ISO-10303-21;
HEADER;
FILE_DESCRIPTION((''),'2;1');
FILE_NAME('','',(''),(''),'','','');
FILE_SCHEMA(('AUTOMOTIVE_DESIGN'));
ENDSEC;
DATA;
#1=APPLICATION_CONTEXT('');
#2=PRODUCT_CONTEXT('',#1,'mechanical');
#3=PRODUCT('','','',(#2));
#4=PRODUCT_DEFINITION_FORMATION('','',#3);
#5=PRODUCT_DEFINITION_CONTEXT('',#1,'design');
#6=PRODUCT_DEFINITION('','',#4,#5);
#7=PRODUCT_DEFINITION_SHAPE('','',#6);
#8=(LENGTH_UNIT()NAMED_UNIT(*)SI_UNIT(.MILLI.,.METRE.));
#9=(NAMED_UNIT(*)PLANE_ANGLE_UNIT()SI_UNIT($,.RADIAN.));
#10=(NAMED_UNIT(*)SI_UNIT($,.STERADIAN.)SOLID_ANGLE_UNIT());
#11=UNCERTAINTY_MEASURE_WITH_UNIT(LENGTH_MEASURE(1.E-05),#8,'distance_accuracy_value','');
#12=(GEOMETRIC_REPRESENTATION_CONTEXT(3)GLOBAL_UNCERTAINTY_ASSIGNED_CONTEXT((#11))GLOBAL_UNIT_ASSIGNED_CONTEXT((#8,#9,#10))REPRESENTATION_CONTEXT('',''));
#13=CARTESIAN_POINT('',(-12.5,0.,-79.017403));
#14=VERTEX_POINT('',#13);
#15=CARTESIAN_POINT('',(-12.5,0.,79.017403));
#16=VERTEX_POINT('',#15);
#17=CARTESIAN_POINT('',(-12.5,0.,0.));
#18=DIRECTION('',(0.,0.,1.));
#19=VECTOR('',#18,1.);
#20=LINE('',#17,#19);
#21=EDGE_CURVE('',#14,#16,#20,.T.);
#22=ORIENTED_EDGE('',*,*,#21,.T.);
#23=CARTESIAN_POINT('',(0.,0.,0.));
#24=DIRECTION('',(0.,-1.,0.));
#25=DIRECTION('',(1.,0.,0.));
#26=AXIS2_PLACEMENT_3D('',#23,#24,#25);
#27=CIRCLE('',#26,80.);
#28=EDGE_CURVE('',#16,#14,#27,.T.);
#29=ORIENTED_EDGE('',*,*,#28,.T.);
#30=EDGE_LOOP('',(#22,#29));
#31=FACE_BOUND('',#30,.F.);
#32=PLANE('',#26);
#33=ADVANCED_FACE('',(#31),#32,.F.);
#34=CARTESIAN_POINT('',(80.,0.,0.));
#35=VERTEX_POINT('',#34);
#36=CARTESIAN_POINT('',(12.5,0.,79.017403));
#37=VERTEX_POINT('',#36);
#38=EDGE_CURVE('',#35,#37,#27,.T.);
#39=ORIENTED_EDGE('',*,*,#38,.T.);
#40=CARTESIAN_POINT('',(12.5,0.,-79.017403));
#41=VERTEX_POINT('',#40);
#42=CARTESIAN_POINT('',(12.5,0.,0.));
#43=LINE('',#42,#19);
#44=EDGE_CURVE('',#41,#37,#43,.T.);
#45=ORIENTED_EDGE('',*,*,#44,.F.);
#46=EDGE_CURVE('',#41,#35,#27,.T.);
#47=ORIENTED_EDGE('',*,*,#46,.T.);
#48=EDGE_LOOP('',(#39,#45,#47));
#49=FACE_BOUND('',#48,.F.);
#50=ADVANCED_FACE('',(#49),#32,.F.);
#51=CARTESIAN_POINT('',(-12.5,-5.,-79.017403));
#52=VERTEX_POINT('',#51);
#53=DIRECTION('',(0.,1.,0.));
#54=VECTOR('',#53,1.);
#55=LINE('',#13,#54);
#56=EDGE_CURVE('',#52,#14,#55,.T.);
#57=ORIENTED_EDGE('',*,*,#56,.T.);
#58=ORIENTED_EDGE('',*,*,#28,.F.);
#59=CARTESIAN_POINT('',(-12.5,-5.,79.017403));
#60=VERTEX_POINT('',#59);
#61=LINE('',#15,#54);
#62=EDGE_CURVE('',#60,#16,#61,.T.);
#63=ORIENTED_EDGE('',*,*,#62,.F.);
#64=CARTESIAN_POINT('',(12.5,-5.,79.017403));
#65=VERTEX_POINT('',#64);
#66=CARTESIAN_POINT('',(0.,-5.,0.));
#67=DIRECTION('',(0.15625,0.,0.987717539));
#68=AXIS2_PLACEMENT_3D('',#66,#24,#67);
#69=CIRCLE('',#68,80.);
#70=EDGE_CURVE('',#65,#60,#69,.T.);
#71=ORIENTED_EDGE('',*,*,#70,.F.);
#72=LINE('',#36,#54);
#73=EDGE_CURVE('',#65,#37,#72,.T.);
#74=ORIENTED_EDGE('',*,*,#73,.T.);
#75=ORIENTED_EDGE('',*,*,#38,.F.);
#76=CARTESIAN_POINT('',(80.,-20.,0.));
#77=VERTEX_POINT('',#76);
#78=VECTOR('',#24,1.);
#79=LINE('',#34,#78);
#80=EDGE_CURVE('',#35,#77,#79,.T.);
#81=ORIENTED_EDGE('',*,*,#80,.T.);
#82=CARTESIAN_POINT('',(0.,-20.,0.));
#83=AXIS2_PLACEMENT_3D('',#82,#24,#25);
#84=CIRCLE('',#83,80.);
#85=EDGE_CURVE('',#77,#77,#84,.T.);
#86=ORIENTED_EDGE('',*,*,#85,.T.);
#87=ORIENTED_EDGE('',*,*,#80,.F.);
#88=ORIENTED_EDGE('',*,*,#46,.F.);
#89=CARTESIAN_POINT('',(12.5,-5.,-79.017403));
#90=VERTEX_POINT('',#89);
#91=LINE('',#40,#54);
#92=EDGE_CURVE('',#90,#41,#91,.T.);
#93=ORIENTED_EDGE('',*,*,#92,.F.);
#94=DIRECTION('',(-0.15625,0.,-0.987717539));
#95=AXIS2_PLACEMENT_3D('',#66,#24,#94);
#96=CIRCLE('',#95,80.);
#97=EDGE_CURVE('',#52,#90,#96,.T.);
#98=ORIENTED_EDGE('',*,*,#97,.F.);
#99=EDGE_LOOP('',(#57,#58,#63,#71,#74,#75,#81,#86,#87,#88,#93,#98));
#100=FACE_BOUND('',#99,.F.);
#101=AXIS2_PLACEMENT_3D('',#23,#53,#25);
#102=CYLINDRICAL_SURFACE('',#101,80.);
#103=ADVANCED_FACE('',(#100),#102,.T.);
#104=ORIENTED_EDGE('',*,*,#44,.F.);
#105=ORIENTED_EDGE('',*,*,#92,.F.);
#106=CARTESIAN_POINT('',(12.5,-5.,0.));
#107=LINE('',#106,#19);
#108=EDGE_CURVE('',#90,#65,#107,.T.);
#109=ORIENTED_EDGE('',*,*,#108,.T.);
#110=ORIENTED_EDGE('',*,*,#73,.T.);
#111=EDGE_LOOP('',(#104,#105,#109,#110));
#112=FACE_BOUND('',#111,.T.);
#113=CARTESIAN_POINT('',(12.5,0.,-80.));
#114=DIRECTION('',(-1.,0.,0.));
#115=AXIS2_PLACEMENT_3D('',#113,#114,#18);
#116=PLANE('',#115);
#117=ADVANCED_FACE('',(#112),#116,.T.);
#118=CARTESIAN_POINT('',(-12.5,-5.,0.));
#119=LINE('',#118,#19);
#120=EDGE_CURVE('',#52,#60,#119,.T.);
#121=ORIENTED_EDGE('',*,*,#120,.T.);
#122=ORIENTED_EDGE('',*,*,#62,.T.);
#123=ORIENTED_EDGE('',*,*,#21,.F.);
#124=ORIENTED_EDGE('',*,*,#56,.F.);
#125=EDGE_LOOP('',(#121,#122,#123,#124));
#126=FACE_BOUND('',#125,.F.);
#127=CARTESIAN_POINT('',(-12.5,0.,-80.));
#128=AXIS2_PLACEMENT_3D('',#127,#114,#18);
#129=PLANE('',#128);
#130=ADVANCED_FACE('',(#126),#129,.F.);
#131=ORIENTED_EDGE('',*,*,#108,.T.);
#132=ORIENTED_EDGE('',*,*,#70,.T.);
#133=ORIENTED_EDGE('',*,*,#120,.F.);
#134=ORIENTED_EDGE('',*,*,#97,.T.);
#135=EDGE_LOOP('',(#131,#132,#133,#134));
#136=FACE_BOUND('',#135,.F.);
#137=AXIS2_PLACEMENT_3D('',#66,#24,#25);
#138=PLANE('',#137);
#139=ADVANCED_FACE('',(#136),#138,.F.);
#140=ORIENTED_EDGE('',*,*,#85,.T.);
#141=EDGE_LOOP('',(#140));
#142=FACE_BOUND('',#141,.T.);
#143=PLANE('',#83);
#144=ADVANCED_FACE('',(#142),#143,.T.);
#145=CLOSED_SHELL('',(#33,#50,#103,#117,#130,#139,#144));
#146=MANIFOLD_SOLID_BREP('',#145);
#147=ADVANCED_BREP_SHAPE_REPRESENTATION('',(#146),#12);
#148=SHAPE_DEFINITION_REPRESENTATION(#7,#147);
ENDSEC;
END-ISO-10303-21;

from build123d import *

# Parameters (mm, degrees)
F0_R     = 80
F1_DEPTH = 20
F2_W     = 25
F2_H     = 160
F3_DEPTH = 5


with BuildPart() as f1:
    # F0 (on Front) → F1 (new body)
    with BuildSketch(Plane.XZ):
        Circle(F0_R)
    extrude(amount=F1_DEPTH)

    # F2 (on Front) → F3 (cut)
    with BuildSketch(Plane.XZ):
        Rectangle(F2_W, F2_H)
    extrude(amount=F3_DEPTH, mode=Mode.SUBTRACT)


solid = f1.part
